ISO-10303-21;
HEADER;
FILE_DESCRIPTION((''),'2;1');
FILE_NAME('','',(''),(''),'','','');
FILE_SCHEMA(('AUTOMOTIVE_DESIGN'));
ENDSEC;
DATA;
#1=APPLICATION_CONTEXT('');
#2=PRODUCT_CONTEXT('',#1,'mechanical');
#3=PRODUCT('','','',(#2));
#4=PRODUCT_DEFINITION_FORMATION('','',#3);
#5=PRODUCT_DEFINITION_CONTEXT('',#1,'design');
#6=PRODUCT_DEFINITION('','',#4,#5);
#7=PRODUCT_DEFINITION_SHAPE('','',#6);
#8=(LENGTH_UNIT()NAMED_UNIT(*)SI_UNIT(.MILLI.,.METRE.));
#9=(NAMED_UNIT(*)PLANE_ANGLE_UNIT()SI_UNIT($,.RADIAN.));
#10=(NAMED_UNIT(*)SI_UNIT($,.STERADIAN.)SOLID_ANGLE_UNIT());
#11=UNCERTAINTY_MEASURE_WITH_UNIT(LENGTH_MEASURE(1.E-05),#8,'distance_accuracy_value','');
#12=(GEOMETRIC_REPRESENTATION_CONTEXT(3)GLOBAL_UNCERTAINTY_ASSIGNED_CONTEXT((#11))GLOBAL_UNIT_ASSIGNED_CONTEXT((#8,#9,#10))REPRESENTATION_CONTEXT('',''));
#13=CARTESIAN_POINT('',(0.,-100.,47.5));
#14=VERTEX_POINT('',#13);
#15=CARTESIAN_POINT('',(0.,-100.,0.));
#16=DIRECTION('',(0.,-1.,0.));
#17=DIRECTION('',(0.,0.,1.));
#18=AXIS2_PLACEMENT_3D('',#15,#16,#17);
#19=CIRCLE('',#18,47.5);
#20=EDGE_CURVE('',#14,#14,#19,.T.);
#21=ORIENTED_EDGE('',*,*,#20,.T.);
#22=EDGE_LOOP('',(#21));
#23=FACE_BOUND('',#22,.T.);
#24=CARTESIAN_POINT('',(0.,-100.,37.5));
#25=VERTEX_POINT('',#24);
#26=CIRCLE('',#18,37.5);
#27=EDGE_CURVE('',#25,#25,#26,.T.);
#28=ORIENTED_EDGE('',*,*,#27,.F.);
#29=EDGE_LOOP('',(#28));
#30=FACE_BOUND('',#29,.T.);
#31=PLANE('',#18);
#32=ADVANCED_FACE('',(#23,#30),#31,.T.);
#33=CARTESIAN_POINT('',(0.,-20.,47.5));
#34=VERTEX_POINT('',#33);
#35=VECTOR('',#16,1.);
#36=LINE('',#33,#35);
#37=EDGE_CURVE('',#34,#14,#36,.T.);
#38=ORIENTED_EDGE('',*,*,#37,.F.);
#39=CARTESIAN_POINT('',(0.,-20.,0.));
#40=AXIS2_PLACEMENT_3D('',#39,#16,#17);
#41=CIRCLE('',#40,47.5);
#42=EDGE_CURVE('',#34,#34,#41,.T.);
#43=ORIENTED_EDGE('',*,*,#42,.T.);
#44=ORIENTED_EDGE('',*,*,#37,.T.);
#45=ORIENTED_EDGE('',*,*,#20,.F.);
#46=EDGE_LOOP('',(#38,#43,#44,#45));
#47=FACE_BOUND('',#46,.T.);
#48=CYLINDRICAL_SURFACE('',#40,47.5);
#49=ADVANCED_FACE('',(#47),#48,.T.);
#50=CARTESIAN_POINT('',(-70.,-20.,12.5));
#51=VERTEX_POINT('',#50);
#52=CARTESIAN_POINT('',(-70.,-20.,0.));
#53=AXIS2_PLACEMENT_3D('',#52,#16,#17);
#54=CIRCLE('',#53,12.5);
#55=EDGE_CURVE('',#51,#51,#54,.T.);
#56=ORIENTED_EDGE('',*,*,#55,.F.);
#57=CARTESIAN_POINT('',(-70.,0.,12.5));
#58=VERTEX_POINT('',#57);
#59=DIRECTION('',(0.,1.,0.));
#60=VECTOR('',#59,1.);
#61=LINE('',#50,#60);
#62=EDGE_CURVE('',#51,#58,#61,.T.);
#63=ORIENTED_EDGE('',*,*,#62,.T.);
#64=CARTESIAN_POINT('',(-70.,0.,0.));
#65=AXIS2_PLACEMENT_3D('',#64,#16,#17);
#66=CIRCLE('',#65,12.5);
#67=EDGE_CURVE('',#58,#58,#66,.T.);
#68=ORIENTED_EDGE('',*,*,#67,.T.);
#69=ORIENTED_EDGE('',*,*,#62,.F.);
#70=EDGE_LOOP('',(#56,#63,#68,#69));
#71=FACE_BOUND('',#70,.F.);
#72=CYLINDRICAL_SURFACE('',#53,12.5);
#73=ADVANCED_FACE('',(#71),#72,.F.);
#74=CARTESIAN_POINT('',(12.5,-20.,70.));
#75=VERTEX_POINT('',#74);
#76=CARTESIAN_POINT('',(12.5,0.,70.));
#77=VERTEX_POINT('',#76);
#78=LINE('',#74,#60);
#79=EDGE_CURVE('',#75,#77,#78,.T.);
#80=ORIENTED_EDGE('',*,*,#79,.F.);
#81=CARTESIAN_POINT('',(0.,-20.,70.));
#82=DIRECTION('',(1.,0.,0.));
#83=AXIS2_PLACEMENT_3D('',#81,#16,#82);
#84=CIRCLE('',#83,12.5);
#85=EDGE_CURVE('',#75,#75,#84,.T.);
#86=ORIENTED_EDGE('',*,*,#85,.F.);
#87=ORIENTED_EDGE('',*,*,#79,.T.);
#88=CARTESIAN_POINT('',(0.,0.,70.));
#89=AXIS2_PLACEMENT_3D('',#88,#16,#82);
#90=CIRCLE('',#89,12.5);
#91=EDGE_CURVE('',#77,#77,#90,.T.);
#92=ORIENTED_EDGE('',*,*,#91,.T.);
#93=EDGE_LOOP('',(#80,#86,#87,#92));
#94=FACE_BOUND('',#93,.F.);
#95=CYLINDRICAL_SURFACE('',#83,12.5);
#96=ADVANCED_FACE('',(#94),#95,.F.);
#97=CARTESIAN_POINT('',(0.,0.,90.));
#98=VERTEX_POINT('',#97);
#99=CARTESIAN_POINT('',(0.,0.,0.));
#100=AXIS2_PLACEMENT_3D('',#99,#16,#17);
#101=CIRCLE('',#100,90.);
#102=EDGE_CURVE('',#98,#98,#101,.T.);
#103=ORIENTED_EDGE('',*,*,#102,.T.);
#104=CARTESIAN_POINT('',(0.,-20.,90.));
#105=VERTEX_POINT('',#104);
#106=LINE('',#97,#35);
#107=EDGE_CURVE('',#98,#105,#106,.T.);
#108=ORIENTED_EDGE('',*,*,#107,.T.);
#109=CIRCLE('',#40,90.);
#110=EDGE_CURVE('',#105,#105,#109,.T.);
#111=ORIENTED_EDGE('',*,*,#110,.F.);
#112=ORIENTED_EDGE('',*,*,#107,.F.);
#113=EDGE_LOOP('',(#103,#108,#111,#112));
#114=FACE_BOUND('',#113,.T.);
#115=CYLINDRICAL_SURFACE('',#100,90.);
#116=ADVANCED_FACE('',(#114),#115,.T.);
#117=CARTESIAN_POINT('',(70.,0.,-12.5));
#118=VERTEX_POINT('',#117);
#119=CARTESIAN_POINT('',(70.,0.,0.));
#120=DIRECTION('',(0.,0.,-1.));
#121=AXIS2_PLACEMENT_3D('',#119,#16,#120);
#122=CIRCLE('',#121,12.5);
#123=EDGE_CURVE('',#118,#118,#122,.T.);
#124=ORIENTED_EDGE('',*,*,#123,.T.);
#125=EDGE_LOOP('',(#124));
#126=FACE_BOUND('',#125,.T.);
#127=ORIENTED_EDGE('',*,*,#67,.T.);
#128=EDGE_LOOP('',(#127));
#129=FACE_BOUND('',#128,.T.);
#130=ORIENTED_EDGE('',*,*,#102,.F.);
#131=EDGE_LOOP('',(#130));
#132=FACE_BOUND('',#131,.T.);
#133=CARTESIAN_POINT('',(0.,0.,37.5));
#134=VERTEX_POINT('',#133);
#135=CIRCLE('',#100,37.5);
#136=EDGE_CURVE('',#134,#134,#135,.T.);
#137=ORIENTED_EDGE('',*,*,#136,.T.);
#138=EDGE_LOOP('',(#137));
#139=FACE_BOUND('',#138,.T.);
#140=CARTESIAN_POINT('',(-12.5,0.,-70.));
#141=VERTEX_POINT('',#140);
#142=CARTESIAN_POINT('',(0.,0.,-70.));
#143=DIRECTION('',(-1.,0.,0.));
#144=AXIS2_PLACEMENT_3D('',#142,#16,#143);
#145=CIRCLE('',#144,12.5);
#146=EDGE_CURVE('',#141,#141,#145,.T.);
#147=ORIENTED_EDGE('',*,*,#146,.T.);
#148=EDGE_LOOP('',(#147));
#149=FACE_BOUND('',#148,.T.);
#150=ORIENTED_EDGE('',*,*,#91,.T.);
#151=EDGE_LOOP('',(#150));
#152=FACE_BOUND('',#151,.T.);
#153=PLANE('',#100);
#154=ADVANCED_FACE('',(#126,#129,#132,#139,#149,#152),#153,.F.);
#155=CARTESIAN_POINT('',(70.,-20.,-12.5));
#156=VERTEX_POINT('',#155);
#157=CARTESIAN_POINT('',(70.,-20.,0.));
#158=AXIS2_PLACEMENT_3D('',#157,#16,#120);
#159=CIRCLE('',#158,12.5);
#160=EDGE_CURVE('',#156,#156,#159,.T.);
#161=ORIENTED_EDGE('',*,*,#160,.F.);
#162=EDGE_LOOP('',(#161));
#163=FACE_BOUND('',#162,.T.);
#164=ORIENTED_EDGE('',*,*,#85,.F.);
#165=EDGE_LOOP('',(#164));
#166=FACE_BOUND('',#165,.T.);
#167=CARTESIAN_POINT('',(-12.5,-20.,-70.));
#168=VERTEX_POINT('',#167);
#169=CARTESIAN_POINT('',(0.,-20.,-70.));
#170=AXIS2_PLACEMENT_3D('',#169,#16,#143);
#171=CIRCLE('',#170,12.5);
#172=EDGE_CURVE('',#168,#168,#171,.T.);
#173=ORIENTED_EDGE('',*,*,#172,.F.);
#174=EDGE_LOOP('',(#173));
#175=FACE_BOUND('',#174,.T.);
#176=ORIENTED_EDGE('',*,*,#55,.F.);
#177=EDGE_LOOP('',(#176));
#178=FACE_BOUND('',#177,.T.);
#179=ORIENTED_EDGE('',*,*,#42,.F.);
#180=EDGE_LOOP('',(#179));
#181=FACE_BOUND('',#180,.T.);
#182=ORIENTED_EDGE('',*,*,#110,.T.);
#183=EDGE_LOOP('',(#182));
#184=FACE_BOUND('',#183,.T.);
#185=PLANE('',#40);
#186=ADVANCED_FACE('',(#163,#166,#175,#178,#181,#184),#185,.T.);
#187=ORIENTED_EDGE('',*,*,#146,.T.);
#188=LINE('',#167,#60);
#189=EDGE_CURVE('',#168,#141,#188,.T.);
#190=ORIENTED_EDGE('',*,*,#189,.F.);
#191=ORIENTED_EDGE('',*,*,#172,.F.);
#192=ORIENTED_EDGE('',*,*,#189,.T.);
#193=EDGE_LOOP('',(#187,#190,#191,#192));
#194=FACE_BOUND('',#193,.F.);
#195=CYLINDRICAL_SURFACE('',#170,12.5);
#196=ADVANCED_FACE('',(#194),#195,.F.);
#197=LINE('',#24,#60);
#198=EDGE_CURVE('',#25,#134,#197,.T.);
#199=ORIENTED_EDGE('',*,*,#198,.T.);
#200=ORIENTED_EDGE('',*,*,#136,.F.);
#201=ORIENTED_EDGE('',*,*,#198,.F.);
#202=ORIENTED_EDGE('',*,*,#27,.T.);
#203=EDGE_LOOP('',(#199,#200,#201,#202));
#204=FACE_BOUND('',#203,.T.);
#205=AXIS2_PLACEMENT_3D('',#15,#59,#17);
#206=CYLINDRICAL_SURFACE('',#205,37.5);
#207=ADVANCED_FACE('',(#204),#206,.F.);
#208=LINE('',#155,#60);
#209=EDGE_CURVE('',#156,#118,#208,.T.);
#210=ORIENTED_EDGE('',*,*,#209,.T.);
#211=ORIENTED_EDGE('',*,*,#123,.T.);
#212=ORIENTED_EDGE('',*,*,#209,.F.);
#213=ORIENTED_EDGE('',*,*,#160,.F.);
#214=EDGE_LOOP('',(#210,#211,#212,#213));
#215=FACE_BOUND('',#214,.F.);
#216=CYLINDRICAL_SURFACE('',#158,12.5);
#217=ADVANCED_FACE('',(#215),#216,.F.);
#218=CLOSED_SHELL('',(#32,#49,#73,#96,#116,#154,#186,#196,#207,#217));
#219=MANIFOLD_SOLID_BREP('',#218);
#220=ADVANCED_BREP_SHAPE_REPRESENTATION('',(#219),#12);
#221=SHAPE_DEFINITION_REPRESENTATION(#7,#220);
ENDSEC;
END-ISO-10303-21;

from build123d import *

# Parameters (mm, degrees)
F2_R     = 12.5
F3_DEPTH = 20.001
F4_COUNT = 4


with BuildPart() as f1:
    # F0 (on Right) → F1 (revolve)
    with BuildSketch(Plane.YZ):
        Polygon((-100, 37.5), (0, 37.5), (0, 90), (-20, 90), (-20, 47.5), (-100, 47.5), align=None)
    revolve(axis=Axis((0, -53.3100684511, 0), (0, -1, 0)))

    # F2 (on face) → F3 (cut, through all)
    with BuildSketch(Plane.XZ.offset(20)):
        with Locations((0, 70)):
            Circle(F2_R)
    f3 = extrude(amount=-F3_DEPTH, mode=Mode.SUBTRACT)

    # F4: F3 ×4 about axis
    f4_axis = Axis((0, -100, 0), (0, 1, 0))
    for i in range(1, F4_COUNT):
        add(f3.rotate(f4_axis, i * 360 / F4_COUNT), mode=Mode.SUBTRACT)


solid = f1.part
